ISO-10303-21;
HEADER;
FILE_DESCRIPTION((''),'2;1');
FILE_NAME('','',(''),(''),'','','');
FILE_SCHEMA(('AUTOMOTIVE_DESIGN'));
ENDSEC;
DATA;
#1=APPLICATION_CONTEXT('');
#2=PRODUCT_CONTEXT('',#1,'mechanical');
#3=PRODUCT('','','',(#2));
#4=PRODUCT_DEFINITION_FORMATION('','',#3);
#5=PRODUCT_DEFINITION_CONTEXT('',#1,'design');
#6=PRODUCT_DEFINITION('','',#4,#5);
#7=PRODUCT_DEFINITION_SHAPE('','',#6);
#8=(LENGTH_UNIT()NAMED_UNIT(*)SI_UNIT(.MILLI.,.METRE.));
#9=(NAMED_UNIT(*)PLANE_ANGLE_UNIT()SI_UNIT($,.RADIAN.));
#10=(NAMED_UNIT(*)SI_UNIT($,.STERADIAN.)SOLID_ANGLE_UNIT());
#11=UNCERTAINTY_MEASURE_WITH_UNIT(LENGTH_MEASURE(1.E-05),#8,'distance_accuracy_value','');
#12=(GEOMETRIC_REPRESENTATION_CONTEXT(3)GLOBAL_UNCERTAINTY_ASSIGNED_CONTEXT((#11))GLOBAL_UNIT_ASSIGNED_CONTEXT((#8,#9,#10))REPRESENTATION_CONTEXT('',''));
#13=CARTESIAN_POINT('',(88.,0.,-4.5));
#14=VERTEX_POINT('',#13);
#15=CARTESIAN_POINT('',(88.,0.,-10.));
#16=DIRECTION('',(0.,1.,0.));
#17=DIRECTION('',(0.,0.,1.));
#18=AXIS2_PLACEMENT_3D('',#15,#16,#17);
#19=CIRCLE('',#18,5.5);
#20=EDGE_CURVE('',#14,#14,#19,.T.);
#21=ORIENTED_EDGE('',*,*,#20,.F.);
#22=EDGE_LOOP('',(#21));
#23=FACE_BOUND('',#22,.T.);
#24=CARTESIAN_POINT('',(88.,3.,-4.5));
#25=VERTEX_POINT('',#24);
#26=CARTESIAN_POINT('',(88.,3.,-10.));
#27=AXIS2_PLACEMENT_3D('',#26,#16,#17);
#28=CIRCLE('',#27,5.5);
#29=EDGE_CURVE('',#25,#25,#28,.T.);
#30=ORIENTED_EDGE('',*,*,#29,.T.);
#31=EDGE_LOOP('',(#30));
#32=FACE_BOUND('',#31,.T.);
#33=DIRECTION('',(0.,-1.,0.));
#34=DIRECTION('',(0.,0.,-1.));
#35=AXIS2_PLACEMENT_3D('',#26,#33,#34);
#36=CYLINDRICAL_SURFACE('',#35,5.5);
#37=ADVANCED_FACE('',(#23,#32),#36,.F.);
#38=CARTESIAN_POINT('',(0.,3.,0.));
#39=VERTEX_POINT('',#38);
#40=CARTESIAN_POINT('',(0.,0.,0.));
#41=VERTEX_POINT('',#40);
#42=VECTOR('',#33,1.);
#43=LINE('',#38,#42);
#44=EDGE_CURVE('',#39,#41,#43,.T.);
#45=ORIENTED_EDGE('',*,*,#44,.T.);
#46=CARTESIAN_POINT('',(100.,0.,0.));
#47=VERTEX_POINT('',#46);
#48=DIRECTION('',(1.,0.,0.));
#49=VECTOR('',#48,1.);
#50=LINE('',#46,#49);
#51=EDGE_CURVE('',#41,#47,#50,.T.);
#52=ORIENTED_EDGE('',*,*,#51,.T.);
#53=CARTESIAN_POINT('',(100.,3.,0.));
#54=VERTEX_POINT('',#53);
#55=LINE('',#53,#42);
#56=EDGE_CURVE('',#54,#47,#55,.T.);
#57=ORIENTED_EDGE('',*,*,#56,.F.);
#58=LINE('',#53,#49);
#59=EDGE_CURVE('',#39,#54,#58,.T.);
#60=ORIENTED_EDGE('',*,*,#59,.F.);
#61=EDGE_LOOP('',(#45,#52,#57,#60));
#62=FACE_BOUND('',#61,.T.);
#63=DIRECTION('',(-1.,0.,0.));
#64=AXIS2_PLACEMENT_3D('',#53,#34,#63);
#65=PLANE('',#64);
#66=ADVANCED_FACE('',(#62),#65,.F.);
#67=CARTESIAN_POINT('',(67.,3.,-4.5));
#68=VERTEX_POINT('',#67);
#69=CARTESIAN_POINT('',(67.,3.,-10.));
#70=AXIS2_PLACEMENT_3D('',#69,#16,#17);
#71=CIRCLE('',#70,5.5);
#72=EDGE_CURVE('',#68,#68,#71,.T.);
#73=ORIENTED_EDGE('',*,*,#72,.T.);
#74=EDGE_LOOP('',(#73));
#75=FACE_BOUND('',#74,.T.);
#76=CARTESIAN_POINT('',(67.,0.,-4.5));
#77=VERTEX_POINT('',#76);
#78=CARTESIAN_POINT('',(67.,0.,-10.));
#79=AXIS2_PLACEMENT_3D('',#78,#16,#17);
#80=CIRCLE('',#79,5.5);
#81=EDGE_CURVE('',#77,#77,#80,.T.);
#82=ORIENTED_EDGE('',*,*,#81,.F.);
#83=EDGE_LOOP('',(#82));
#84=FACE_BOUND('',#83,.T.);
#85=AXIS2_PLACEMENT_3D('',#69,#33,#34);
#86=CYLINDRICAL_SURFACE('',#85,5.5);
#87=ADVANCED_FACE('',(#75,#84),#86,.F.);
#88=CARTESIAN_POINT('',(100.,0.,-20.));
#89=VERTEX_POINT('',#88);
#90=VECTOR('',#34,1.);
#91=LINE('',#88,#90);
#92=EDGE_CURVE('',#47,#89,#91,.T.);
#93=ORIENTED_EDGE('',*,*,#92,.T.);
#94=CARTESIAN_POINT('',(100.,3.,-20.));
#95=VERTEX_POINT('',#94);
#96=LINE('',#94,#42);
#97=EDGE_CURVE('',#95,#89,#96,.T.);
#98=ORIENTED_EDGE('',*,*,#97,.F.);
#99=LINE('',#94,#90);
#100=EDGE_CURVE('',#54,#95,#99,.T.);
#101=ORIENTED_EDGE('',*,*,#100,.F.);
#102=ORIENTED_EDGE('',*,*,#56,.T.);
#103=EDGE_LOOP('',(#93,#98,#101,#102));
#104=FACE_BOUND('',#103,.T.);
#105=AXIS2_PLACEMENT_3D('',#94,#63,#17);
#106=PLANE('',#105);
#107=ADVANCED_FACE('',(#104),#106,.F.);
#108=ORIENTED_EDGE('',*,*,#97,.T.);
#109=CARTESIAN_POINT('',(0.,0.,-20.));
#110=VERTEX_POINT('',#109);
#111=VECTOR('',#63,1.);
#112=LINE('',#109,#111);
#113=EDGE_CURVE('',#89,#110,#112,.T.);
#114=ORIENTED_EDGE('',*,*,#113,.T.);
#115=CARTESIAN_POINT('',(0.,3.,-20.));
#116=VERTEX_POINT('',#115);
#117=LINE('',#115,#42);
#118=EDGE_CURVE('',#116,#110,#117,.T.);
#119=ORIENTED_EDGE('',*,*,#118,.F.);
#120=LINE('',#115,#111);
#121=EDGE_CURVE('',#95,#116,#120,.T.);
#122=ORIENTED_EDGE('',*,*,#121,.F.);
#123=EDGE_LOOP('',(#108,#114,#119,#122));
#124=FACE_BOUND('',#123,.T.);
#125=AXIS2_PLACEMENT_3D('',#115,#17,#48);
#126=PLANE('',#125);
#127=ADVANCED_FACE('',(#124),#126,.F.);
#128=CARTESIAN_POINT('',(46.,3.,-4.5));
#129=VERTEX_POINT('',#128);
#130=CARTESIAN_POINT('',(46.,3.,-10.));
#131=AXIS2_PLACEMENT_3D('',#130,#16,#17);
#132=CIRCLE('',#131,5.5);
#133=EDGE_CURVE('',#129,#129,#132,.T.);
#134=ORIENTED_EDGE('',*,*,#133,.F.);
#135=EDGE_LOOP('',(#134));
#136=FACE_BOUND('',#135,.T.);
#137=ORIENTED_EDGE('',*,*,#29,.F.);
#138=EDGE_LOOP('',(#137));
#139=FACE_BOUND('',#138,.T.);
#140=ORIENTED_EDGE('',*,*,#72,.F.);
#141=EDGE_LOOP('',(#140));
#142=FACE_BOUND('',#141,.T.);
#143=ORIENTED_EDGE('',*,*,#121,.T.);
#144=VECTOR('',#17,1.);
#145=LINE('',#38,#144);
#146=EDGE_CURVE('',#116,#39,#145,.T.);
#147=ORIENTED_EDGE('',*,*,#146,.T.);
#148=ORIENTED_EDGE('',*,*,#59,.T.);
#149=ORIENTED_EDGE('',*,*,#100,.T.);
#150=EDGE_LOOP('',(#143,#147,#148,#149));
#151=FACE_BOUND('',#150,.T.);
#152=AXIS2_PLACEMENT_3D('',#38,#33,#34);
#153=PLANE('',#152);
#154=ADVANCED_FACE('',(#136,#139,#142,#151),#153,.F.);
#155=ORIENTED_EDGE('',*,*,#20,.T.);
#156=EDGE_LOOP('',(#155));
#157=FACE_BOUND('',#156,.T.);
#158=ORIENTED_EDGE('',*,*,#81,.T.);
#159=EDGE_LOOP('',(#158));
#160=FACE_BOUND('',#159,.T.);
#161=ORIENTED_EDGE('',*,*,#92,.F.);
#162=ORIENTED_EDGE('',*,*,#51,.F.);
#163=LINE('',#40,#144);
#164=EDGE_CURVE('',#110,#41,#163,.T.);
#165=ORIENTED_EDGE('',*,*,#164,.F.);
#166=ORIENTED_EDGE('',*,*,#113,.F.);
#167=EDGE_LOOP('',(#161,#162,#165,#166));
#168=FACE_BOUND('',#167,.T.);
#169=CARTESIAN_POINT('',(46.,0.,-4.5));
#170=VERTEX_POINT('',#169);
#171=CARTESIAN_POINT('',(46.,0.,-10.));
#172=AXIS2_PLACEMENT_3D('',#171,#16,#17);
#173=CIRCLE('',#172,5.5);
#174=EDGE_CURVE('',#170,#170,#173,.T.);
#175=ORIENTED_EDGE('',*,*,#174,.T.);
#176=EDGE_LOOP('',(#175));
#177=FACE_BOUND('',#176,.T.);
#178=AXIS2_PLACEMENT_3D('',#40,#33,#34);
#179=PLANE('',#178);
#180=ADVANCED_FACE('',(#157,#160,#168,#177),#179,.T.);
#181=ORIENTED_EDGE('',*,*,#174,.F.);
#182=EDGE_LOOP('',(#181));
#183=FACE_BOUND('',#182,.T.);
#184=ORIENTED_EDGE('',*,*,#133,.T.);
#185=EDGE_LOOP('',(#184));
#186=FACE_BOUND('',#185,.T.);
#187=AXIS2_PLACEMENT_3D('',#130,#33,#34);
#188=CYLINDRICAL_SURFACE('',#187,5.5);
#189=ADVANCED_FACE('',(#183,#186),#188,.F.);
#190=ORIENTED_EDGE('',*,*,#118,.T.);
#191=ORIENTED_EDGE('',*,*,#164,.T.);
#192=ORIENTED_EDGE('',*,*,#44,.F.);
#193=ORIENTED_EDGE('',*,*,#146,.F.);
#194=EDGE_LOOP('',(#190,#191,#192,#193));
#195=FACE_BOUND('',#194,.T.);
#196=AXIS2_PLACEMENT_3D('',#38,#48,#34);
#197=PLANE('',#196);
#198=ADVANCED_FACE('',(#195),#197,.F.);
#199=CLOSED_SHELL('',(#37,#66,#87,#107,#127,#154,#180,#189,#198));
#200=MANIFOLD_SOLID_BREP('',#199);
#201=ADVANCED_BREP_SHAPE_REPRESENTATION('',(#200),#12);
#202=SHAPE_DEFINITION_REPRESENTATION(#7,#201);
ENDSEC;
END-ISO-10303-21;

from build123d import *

# Parameters (mm, degrees)
SKETCH1_W           = 100
SKETCH1_H           = 20
SKETCH1_R           = 5.5
BOSS_EXTRUDE1_DEPTH = 3


with BuildPart() as part:
    # Sketch1 → Boss-Extrude1 (new body)
    with BuildSketch(Plane(origin=(0, 0, 0), x_dir=(1, 0, 0), z_dir=(0, 1, 0))):
        with Locations((50, 10)):
            Rectangle(SKETCH1_W, SKETCH1_H)
        with Locations(Location((46, 10, 0), (0, 0, 270))):
            Circle(SKETCH1_R, mode=Mode.SUBTRACT)
        with Locations(Location((67, 10, 0), (0, 0, 270))):
            Circle(SKETCH1_R, mode=Mode.SUBTRACT)
        with Locations(Location((88, 10, 0), (0, 0, 270))):
            Circle(SKETCH1_R, mode=Mode.SUBTRACT)
    extrude(amount=BOSS_EXTRUDE1_DEPTH)


solid = part.part
